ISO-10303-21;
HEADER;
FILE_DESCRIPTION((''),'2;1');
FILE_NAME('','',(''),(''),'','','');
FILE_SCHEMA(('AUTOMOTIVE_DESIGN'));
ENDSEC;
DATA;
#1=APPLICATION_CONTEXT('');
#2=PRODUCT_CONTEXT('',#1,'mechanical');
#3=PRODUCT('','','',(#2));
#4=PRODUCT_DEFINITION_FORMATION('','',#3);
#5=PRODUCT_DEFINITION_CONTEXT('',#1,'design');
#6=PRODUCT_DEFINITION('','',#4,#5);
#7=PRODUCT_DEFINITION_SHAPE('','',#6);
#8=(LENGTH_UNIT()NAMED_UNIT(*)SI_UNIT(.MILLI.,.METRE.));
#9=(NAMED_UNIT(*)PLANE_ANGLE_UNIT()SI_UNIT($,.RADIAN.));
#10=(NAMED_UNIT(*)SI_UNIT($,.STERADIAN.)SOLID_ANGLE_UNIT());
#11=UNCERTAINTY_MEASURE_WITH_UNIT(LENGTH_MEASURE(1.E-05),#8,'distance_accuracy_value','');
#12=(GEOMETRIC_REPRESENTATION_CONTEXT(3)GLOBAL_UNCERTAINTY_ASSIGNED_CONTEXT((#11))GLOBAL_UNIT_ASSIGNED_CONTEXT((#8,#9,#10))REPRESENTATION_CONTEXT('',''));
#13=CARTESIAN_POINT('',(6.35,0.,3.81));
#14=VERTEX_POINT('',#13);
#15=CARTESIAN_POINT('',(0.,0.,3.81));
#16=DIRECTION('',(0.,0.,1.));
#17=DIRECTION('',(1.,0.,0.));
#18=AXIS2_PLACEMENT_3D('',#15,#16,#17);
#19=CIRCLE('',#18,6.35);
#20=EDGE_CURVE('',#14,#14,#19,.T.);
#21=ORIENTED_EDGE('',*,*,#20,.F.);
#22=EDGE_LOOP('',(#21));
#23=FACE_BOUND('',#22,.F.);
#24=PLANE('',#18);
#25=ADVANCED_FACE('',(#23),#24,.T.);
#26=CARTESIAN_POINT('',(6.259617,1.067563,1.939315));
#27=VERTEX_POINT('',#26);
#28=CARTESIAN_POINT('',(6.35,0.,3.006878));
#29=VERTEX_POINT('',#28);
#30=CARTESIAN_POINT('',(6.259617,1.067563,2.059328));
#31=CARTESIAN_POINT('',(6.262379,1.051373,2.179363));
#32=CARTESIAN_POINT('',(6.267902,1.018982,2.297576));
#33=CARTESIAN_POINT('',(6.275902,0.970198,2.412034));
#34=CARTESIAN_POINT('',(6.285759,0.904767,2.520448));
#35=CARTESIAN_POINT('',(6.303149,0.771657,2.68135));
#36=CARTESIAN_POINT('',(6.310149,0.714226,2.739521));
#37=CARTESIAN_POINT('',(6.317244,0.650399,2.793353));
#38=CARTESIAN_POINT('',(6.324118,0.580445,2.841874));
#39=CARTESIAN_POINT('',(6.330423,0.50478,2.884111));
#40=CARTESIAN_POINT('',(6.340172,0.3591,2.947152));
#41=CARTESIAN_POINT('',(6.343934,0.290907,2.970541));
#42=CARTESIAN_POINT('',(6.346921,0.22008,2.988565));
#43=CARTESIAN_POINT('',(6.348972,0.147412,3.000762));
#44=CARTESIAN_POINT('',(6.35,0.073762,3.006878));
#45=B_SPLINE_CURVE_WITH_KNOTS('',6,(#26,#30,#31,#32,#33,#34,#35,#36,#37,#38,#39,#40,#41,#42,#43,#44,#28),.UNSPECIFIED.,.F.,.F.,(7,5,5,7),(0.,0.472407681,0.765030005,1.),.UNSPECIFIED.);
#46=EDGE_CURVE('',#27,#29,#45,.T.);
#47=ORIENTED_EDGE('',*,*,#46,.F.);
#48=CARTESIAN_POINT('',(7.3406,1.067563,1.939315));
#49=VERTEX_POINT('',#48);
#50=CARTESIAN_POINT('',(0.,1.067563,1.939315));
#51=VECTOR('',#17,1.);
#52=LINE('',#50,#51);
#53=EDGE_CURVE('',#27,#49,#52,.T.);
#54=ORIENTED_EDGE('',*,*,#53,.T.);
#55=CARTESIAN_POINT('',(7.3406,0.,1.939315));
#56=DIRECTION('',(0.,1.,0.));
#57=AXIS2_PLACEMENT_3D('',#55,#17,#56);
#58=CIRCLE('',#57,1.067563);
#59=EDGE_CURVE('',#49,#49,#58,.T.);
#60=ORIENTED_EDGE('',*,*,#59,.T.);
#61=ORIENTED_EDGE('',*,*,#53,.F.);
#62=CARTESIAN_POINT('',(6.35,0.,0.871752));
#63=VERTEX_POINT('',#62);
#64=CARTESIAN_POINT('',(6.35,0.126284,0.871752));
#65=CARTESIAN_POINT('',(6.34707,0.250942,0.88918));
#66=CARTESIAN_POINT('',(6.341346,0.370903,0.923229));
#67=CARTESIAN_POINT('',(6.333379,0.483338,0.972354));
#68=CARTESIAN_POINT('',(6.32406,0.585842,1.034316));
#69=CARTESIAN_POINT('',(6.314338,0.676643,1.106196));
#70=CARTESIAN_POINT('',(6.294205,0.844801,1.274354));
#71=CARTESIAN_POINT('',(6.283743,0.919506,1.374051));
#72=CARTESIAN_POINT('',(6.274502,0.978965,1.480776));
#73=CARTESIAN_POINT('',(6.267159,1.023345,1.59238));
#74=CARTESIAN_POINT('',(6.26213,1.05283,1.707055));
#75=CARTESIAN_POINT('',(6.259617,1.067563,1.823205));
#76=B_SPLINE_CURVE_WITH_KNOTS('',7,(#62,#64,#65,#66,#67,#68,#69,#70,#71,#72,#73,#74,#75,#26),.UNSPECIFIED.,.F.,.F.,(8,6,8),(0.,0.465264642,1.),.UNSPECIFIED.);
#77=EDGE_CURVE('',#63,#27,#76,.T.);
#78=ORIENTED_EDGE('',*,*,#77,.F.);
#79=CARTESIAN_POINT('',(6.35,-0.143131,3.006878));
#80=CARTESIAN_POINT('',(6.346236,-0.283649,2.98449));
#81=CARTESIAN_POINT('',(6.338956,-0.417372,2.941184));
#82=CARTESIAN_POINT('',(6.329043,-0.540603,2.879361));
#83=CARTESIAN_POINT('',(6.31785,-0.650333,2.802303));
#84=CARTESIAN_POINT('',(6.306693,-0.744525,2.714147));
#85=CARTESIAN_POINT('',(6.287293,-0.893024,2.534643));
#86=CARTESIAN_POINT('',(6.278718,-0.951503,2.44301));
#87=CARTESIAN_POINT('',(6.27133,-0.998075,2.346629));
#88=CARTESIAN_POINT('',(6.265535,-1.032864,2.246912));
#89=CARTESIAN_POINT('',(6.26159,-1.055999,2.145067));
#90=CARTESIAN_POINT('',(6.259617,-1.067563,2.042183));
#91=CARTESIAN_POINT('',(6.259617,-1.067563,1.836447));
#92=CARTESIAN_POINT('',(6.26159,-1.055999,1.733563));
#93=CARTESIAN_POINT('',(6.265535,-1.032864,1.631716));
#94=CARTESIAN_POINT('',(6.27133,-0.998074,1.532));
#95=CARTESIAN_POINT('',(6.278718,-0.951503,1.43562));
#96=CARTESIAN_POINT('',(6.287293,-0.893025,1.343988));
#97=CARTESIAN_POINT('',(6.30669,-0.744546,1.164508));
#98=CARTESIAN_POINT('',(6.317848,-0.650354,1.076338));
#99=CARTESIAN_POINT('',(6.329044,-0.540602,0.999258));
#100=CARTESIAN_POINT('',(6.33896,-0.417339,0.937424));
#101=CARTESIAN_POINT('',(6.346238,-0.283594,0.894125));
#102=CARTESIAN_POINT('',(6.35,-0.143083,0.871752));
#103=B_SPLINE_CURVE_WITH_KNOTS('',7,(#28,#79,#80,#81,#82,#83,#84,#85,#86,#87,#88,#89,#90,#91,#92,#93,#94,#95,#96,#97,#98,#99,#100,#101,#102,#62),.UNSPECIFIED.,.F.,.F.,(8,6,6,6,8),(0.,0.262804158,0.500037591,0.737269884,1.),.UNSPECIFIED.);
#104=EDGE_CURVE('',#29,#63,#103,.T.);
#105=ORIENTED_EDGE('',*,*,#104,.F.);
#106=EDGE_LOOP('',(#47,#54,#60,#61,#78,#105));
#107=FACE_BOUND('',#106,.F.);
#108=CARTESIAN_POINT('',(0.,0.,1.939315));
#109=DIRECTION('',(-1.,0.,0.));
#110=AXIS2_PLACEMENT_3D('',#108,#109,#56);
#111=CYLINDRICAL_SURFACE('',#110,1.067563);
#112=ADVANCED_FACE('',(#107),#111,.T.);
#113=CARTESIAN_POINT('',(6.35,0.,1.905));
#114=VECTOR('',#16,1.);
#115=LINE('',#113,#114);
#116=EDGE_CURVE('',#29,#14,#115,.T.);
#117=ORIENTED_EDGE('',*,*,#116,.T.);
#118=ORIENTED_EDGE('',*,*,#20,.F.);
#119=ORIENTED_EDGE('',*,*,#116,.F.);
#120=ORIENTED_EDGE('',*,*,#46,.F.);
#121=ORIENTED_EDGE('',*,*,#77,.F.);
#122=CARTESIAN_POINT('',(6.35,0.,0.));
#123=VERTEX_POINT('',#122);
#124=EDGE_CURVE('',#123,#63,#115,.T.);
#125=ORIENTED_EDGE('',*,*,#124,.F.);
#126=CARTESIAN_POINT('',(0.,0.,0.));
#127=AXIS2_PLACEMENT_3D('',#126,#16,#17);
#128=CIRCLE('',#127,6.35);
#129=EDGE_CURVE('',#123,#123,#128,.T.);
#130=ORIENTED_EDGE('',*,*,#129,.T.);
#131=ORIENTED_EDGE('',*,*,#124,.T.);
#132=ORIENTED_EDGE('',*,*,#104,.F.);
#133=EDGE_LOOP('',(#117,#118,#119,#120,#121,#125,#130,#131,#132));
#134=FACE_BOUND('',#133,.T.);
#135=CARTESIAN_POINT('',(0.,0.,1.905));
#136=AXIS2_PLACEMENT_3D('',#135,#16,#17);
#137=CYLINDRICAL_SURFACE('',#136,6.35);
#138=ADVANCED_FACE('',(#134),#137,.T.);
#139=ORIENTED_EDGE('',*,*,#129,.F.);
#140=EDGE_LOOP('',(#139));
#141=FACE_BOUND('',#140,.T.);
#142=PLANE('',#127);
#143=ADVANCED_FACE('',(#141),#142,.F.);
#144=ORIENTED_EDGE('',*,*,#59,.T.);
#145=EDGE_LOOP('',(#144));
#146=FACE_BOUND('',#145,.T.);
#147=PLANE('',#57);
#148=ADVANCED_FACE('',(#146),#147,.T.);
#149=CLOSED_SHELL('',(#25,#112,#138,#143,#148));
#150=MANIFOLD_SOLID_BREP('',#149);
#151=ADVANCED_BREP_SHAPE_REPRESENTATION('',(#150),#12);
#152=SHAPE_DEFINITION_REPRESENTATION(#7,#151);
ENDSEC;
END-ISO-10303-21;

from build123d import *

# Parameters (mm, degrees)
F0_W     = 6.35
F0_H     = 3.81
F2_R     = 1.067563
F3_DEPTH = 7.3406


with BuildPart() as f1:
    # F0 (on Front) → F1 (revolve)
    with BuildSketch(Plane.XZ):
        with Locations((3.175, 1.905)):
            Rectangle(F0_W, F0_H)
    revolve(axis=Axis((0, 0, 1.905), (0, 0, 1)))

    # F2 (on Right) → F3 (join)
    with BuildSketch(Plane.YZ):
        with Locations((0, 1.939315)):
            Circle(F2_R)
    extrude(amount=F3_DEPTH)


solid = f1.part
